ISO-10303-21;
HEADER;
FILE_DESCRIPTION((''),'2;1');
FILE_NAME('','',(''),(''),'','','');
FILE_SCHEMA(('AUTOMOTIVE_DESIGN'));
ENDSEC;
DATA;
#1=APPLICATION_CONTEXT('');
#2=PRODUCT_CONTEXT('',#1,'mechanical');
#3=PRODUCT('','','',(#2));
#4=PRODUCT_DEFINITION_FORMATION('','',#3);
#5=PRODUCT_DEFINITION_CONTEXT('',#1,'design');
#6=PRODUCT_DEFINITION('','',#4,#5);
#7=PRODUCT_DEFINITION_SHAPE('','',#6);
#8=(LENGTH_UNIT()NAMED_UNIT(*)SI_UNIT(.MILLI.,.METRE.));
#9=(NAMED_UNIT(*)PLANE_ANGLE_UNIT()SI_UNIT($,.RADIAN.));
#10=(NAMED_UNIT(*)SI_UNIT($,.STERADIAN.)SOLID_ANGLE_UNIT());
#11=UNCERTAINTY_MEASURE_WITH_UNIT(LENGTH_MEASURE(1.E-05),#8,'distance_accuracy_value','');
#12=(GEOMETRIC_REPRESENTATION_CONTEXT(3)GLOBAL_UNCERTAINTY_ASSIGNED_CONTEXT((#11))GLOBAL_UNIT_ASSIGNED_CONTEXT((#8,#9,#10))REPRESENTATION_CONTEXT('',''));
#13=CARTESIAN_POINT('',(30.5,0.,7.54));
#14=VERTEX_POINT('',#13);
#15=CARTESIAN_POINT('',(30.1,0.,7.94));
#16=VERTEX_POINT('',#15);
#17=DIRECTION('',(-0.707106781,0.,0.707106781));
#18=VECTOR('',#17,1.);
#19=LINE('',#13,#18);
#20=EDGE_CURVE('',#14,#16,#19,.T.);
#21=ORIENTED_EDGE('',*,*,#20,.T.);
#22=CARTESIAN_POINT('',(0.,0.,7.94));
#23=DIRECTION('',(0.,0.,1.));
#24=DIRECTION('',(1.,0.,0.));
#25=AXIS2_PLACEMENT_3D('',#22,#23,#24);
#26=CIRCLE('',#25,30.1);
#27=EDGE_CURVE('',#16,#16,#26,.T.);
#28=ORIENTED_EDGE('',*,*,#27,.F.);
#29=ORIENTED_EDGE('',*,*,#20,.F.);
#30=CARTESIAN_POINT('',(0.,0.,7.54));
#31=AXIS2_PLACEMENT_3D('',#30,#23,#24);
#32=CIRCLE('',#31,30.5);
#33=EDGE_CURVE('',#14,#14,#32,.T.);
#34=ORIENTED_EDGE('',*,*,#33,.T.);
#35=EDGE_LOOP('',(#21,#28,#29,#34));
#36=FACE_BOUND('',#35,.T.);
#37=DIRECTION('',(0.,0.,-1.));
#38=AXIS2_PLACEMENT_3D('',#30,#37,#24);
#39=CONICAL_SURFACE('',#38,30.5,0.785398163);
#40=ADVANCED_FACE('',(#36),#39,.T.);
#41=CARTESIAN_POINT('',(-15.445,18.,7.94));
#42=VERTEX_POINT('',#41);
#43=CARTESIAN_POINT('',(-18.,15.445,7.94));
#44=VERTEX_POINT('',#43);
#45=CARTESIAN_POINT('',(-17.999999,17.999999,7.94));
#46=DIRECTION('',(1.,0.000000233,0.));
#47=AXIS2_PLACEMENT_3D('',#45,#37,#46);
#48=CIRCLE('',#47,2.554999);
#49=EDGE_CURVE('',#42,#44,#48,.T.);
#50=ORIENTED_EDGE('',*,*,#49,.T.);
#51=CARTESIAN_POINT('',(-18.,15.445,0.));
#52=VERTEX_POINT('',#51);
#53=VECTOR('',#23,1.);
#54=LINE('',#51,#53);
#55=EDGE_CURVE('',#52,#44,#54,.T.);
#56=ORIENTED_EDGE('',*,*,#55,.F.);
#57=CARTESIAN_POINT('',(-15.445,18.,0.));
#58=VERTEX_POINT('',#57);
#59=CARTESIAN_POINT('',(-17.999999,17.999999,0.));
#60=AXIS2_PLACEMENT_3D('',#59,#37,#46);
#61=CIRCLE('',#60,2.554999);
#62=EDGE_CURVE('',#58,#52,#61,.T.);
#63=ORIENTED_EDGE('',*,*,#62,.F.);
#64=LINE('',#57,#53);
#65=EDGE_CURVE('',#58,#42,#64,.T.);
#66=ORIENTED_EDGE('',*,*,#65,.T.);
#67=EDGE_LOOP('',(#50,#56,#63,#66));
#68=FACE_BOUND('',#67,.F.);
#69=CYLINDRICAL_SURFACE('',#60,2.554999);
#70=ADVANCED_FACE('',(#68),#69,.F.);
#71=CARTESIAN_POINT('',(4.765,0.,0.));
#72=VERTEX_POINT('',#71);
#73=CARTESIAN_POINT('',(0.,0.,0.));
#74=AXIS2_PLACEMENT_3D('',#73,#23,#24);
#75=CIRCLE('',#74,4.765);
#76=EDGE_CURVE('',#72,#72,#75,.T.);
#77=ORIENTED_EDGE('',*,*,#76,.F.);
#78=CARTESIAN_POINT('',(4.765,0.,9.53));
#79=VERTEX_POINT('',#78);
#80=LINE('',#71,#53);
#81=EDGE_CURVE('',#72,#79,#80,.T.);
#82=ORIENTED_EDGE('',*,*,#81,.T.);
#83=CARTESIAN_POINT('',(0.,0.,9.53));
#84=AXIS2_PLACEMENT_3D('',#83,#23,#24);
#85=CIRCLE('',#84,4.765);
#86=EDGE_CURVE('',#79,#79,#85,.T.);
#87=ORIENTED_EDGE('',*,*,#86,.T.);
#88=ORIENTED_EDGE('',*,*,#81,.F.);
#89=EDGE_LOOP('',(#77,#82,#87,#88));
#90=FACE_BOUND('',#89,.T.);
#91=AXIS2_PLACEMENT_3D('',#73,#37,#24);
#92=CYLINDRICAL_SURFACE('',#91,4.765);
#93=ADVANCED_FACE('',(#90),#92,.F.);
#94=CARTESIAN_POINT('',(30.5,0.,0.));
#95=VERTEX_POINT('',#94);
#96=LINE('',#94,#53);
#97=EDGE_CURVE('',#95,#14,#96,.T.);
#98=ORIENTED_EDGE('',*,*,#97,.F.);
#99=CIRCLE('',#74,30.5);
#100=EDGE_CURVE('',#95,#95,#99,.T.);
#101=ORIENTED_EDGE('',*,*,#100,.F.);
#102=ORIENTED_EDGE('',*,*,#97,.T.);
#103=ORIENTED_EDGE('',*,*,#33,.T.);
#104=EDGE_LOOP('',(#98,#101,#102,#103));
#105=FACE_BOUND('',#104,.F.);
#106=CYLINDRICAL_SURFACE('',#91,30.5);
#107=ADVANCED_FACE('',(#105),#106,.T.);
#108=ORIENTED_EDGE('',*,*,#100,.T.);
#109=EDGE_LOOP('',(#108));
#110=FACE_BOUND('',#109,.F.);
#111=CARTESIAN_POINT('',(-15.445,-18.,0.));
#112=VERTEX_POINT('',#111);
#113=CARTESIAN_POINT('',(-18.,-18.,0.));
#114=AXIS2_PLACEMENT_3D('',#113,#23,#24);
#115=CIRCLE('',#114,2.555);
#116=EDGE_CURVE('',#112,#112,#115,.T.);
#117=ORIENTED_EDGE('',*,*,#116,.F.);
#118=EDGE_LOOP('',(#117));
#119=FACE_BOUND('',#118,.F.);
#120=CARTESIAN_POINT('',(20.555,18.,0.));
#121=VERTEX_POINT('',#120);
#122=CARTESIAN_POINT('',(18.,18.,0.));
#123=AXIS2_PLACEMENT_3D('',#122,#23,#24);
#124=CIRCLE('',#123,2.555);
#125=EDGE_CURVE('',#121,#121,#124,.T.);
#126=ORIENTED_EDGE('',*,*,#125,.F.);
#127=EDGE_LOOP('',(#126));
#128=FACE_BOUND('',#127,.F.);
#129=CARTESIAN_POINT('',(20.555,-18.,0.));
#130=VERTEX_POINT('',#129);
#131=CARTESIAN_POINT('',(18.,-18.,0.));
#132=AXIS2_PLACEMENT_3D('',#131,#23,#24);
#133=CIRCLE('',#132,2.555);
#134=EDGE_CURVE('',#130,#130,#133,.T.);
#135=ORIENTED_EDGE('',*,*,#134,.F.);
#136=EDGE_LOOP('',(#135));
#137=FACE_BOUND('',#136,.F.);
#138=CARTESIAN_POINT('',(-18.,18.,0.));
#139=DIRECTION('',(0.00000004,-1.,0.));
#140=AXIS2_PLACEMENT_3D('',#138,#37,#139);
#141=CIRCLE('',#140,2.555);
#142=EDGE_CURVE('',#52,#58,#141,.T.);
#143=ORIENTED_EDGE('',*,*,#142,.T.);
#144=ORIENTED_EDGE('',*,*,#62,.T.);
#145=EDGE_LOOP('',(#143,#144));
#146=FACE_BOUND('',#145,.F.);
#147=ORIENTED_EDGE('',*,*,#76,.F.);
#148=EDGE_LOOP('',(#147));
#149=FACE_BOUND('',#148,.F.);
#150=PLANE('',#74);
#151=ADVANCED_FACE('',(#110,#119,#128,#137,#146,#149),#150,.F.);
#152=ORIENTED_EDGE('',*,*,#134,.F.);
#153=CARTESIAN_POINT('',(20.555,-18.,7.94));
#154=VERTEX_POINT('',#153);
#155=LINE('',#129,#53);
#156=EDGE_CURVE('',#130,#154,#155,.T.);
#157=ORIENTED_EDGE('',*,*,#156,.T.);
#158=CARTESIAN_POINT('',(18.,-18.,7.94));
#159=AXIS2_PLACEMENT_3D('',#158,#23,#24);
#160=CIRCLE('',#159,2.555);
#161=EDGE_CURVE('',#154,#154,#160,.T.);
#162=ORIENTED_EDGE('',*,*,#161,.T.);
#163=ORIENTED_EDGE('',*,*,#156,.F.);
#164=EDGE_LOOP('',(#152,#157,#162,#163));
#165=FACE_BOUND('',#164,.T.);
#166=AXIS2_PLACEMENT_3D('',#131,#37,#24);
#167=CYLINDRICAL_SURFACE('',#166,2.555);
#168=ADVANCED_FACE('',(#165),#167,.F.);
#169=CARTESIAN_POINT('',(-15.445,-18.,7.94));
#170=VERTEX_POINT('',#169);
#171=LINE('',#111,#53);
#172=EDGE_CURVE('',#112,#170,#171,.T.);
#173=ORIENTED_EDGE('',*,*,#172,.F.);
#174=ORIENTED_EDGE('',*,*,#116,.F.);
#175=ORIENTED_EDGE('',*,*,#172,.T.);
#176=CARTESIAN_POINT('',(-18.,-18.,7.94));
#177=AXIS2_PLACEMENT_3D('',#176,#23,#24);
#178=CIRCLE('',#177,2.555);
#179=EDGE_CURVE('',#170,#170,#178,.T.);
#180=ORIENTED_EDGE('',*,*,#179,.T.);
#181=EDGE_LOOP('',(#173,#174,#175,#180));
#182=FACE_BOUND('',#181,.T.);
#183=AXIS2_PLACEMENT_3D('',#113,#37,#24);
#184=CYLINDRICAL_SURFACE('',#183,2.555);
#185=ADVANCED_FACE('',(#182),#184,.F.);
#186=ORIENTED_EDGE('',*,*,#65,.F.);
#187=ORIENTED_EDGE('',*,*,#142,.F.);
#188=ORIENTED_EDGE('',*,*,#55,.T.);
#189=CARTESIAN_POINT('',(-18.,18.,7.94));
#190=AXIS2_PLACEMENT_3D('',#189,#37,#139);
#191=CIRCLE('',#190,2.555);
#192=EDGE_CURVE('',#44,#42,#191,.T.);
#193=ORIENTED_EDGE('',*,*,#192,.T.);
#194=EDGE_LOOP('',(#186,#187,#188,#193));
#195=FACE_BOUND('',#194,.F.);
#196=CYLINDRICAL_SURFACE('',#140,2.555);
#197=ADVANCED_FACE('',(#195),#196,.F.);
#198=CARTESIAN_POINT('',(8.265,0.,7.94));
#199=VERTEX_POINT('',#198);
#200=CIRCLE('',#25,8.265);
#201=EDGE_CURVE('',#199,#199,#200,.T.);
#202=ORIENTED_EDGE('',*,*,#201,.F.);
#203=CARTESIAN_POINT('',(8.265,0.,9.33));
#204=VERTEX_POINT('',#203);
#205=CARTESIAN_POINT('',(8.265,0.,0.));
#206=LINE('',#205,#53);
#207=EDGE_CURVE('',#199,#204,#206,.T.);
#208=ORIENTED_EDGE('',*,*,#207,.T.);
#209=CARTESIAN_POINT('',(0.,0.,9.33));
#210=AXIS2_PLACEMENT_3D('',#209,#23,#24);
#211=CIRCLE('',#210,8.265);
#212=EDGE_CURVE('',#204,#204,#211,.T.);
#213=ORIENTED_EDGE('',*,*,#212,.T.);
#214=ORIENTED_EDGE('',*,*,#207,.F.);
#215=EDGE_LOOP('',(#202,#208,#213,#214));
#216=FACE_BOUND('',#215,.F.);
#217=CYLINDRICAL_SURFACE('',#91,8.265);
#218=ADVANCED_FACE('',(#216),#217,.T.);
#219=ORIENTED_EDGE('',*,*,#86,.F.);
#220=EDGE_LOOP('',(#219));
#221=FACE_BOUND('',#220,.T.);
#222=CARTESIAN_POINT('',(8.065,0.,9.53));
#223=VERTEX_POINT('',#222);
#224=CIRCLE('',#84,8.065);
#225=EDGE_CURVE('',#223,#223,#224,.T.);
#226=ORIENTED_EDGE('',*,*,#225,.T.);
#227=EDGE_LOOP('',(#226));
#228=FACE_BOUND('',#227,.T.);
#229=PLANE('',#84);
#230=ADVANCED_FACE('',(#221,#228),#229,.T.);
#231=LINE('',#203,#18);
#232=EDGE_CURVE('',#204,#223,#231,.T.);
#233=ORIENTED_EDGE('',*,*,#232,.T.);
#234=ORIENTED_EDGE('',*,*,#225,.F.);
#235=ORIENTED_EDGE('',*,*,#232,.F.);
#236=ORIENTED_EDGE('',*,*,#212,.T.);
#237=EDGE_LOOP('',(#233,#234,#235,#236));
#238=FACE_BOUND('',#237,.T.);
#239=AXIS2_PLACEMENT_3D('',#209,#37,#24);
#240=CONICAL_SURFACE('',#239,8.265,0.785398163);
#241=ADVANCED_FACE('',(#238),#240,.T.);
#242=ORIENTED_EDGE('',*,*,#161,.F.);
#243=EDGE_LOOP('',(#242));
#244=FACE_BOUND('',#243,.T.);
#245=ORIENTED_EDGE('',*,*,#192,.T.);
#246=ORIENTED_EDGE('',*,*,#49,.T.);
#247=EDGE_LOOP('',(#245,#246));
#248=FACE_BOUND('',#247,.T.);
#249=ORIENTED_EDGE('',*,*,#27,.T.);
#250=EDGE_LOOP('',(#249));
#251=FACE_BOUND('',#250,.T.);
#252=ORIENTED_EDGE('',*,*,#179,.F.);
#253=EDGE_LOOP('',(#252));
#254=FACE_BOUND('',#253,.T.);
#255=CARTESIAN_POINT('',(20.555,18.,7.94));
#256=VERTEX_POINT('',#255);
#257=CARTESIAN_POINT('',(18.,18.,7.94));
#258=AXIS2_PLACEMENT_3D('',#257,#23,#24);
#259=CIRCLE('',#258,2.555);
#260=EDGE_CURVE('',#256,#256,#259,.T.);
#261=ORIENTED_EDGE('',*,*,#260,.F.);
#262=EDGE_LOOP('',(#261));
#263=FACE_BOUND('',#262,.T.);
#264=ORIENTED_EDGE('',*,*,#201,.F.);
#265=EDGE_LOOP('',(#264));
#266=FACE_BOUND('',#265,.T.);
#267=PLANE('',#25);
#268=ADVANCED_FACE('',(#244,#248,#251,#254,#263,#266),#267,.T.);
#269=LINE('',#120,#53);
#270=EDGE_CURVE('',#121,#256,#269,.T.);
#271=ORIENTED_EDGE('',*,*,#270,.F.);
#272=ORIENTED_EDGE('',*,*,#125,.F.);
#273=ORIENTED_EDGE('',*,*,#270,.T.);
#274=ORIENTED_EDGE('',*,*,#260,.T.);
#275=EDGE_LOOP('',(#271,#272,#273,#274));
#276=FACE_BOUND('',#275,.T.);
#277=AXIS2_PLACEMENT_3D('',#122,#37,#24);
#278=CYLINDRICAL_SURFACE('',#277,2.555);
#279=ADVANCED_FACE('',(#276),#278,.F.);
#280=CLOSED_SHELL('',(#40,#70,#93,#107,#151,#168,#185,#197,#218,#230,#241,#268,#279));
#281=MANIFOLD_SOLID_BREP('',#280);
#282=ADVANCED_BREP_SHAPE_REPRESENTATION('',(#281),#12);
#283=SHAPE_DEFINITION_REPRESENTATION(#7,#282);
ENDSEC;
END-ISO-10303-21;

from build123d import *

# Parameters (mm, degrees)
F0_R     = 30.5
F0_R_2   = 2.555
F0_R_3   = 8.265
F1_DEPTH = 7.94
F2_SIZE  = 0.4
F0_R_4   = 4.765
F3_DEPTH = 9.53
F4_SIZE  = 0.2


with BuildPart() as f1:
    # F0 (on Top) → F1 (new body)
    with BuildSketch(Plane.XY):
        Circle(F0_R)
        with Locations((-18, -18)):
            Circle(F0_R_2, mode=Mode.SUBTRACT)
        with Locations((18, -18)):
            Circle(F0_R_2, mode=Mode.SUBTRACT)
        with BuildLine():
            ThreePointArc((-18, 15.445), (-19.806658, 19.806658), (-15.445, 18))
            ThreePointArc((-15.445, 18), (-16.193342, 16.193342), (-18, 15.445))
        make_face(mode=Mode.SUBTRACT)
        Circle(F0_R_3, mode=Mode.SUBTRACT)
        with Locations((18, 18)):
            Circle(F0_R_2, mode=Mode.SUBTRACT)
    extrude(amount=F1_DEPTH)

    # F2
    f2_edges = [f1.edges().sort_by_distance(p)[0] for p in [
        (-30.5, 0, 7.94),
    ]]
    chamfer(f2_edges, length=F2_SIZE)

    # F0 (on Top) → F3 (join)
    with BuildSketch(Plane.XY):
        Circle(F0_R_3)
        Circle(F0_R_4, mode=Mode.SUBTRACT)
    extrude(amount=F3_DEPTH)

    # F4
    f4_edges = [f1.edges().sort_by_distance(p)[0] for p in [
        (-8.265, 0, 9.53),
    ]]
    chamfer(f4_edges, length=F4_SIZE)


solid = f1.part
